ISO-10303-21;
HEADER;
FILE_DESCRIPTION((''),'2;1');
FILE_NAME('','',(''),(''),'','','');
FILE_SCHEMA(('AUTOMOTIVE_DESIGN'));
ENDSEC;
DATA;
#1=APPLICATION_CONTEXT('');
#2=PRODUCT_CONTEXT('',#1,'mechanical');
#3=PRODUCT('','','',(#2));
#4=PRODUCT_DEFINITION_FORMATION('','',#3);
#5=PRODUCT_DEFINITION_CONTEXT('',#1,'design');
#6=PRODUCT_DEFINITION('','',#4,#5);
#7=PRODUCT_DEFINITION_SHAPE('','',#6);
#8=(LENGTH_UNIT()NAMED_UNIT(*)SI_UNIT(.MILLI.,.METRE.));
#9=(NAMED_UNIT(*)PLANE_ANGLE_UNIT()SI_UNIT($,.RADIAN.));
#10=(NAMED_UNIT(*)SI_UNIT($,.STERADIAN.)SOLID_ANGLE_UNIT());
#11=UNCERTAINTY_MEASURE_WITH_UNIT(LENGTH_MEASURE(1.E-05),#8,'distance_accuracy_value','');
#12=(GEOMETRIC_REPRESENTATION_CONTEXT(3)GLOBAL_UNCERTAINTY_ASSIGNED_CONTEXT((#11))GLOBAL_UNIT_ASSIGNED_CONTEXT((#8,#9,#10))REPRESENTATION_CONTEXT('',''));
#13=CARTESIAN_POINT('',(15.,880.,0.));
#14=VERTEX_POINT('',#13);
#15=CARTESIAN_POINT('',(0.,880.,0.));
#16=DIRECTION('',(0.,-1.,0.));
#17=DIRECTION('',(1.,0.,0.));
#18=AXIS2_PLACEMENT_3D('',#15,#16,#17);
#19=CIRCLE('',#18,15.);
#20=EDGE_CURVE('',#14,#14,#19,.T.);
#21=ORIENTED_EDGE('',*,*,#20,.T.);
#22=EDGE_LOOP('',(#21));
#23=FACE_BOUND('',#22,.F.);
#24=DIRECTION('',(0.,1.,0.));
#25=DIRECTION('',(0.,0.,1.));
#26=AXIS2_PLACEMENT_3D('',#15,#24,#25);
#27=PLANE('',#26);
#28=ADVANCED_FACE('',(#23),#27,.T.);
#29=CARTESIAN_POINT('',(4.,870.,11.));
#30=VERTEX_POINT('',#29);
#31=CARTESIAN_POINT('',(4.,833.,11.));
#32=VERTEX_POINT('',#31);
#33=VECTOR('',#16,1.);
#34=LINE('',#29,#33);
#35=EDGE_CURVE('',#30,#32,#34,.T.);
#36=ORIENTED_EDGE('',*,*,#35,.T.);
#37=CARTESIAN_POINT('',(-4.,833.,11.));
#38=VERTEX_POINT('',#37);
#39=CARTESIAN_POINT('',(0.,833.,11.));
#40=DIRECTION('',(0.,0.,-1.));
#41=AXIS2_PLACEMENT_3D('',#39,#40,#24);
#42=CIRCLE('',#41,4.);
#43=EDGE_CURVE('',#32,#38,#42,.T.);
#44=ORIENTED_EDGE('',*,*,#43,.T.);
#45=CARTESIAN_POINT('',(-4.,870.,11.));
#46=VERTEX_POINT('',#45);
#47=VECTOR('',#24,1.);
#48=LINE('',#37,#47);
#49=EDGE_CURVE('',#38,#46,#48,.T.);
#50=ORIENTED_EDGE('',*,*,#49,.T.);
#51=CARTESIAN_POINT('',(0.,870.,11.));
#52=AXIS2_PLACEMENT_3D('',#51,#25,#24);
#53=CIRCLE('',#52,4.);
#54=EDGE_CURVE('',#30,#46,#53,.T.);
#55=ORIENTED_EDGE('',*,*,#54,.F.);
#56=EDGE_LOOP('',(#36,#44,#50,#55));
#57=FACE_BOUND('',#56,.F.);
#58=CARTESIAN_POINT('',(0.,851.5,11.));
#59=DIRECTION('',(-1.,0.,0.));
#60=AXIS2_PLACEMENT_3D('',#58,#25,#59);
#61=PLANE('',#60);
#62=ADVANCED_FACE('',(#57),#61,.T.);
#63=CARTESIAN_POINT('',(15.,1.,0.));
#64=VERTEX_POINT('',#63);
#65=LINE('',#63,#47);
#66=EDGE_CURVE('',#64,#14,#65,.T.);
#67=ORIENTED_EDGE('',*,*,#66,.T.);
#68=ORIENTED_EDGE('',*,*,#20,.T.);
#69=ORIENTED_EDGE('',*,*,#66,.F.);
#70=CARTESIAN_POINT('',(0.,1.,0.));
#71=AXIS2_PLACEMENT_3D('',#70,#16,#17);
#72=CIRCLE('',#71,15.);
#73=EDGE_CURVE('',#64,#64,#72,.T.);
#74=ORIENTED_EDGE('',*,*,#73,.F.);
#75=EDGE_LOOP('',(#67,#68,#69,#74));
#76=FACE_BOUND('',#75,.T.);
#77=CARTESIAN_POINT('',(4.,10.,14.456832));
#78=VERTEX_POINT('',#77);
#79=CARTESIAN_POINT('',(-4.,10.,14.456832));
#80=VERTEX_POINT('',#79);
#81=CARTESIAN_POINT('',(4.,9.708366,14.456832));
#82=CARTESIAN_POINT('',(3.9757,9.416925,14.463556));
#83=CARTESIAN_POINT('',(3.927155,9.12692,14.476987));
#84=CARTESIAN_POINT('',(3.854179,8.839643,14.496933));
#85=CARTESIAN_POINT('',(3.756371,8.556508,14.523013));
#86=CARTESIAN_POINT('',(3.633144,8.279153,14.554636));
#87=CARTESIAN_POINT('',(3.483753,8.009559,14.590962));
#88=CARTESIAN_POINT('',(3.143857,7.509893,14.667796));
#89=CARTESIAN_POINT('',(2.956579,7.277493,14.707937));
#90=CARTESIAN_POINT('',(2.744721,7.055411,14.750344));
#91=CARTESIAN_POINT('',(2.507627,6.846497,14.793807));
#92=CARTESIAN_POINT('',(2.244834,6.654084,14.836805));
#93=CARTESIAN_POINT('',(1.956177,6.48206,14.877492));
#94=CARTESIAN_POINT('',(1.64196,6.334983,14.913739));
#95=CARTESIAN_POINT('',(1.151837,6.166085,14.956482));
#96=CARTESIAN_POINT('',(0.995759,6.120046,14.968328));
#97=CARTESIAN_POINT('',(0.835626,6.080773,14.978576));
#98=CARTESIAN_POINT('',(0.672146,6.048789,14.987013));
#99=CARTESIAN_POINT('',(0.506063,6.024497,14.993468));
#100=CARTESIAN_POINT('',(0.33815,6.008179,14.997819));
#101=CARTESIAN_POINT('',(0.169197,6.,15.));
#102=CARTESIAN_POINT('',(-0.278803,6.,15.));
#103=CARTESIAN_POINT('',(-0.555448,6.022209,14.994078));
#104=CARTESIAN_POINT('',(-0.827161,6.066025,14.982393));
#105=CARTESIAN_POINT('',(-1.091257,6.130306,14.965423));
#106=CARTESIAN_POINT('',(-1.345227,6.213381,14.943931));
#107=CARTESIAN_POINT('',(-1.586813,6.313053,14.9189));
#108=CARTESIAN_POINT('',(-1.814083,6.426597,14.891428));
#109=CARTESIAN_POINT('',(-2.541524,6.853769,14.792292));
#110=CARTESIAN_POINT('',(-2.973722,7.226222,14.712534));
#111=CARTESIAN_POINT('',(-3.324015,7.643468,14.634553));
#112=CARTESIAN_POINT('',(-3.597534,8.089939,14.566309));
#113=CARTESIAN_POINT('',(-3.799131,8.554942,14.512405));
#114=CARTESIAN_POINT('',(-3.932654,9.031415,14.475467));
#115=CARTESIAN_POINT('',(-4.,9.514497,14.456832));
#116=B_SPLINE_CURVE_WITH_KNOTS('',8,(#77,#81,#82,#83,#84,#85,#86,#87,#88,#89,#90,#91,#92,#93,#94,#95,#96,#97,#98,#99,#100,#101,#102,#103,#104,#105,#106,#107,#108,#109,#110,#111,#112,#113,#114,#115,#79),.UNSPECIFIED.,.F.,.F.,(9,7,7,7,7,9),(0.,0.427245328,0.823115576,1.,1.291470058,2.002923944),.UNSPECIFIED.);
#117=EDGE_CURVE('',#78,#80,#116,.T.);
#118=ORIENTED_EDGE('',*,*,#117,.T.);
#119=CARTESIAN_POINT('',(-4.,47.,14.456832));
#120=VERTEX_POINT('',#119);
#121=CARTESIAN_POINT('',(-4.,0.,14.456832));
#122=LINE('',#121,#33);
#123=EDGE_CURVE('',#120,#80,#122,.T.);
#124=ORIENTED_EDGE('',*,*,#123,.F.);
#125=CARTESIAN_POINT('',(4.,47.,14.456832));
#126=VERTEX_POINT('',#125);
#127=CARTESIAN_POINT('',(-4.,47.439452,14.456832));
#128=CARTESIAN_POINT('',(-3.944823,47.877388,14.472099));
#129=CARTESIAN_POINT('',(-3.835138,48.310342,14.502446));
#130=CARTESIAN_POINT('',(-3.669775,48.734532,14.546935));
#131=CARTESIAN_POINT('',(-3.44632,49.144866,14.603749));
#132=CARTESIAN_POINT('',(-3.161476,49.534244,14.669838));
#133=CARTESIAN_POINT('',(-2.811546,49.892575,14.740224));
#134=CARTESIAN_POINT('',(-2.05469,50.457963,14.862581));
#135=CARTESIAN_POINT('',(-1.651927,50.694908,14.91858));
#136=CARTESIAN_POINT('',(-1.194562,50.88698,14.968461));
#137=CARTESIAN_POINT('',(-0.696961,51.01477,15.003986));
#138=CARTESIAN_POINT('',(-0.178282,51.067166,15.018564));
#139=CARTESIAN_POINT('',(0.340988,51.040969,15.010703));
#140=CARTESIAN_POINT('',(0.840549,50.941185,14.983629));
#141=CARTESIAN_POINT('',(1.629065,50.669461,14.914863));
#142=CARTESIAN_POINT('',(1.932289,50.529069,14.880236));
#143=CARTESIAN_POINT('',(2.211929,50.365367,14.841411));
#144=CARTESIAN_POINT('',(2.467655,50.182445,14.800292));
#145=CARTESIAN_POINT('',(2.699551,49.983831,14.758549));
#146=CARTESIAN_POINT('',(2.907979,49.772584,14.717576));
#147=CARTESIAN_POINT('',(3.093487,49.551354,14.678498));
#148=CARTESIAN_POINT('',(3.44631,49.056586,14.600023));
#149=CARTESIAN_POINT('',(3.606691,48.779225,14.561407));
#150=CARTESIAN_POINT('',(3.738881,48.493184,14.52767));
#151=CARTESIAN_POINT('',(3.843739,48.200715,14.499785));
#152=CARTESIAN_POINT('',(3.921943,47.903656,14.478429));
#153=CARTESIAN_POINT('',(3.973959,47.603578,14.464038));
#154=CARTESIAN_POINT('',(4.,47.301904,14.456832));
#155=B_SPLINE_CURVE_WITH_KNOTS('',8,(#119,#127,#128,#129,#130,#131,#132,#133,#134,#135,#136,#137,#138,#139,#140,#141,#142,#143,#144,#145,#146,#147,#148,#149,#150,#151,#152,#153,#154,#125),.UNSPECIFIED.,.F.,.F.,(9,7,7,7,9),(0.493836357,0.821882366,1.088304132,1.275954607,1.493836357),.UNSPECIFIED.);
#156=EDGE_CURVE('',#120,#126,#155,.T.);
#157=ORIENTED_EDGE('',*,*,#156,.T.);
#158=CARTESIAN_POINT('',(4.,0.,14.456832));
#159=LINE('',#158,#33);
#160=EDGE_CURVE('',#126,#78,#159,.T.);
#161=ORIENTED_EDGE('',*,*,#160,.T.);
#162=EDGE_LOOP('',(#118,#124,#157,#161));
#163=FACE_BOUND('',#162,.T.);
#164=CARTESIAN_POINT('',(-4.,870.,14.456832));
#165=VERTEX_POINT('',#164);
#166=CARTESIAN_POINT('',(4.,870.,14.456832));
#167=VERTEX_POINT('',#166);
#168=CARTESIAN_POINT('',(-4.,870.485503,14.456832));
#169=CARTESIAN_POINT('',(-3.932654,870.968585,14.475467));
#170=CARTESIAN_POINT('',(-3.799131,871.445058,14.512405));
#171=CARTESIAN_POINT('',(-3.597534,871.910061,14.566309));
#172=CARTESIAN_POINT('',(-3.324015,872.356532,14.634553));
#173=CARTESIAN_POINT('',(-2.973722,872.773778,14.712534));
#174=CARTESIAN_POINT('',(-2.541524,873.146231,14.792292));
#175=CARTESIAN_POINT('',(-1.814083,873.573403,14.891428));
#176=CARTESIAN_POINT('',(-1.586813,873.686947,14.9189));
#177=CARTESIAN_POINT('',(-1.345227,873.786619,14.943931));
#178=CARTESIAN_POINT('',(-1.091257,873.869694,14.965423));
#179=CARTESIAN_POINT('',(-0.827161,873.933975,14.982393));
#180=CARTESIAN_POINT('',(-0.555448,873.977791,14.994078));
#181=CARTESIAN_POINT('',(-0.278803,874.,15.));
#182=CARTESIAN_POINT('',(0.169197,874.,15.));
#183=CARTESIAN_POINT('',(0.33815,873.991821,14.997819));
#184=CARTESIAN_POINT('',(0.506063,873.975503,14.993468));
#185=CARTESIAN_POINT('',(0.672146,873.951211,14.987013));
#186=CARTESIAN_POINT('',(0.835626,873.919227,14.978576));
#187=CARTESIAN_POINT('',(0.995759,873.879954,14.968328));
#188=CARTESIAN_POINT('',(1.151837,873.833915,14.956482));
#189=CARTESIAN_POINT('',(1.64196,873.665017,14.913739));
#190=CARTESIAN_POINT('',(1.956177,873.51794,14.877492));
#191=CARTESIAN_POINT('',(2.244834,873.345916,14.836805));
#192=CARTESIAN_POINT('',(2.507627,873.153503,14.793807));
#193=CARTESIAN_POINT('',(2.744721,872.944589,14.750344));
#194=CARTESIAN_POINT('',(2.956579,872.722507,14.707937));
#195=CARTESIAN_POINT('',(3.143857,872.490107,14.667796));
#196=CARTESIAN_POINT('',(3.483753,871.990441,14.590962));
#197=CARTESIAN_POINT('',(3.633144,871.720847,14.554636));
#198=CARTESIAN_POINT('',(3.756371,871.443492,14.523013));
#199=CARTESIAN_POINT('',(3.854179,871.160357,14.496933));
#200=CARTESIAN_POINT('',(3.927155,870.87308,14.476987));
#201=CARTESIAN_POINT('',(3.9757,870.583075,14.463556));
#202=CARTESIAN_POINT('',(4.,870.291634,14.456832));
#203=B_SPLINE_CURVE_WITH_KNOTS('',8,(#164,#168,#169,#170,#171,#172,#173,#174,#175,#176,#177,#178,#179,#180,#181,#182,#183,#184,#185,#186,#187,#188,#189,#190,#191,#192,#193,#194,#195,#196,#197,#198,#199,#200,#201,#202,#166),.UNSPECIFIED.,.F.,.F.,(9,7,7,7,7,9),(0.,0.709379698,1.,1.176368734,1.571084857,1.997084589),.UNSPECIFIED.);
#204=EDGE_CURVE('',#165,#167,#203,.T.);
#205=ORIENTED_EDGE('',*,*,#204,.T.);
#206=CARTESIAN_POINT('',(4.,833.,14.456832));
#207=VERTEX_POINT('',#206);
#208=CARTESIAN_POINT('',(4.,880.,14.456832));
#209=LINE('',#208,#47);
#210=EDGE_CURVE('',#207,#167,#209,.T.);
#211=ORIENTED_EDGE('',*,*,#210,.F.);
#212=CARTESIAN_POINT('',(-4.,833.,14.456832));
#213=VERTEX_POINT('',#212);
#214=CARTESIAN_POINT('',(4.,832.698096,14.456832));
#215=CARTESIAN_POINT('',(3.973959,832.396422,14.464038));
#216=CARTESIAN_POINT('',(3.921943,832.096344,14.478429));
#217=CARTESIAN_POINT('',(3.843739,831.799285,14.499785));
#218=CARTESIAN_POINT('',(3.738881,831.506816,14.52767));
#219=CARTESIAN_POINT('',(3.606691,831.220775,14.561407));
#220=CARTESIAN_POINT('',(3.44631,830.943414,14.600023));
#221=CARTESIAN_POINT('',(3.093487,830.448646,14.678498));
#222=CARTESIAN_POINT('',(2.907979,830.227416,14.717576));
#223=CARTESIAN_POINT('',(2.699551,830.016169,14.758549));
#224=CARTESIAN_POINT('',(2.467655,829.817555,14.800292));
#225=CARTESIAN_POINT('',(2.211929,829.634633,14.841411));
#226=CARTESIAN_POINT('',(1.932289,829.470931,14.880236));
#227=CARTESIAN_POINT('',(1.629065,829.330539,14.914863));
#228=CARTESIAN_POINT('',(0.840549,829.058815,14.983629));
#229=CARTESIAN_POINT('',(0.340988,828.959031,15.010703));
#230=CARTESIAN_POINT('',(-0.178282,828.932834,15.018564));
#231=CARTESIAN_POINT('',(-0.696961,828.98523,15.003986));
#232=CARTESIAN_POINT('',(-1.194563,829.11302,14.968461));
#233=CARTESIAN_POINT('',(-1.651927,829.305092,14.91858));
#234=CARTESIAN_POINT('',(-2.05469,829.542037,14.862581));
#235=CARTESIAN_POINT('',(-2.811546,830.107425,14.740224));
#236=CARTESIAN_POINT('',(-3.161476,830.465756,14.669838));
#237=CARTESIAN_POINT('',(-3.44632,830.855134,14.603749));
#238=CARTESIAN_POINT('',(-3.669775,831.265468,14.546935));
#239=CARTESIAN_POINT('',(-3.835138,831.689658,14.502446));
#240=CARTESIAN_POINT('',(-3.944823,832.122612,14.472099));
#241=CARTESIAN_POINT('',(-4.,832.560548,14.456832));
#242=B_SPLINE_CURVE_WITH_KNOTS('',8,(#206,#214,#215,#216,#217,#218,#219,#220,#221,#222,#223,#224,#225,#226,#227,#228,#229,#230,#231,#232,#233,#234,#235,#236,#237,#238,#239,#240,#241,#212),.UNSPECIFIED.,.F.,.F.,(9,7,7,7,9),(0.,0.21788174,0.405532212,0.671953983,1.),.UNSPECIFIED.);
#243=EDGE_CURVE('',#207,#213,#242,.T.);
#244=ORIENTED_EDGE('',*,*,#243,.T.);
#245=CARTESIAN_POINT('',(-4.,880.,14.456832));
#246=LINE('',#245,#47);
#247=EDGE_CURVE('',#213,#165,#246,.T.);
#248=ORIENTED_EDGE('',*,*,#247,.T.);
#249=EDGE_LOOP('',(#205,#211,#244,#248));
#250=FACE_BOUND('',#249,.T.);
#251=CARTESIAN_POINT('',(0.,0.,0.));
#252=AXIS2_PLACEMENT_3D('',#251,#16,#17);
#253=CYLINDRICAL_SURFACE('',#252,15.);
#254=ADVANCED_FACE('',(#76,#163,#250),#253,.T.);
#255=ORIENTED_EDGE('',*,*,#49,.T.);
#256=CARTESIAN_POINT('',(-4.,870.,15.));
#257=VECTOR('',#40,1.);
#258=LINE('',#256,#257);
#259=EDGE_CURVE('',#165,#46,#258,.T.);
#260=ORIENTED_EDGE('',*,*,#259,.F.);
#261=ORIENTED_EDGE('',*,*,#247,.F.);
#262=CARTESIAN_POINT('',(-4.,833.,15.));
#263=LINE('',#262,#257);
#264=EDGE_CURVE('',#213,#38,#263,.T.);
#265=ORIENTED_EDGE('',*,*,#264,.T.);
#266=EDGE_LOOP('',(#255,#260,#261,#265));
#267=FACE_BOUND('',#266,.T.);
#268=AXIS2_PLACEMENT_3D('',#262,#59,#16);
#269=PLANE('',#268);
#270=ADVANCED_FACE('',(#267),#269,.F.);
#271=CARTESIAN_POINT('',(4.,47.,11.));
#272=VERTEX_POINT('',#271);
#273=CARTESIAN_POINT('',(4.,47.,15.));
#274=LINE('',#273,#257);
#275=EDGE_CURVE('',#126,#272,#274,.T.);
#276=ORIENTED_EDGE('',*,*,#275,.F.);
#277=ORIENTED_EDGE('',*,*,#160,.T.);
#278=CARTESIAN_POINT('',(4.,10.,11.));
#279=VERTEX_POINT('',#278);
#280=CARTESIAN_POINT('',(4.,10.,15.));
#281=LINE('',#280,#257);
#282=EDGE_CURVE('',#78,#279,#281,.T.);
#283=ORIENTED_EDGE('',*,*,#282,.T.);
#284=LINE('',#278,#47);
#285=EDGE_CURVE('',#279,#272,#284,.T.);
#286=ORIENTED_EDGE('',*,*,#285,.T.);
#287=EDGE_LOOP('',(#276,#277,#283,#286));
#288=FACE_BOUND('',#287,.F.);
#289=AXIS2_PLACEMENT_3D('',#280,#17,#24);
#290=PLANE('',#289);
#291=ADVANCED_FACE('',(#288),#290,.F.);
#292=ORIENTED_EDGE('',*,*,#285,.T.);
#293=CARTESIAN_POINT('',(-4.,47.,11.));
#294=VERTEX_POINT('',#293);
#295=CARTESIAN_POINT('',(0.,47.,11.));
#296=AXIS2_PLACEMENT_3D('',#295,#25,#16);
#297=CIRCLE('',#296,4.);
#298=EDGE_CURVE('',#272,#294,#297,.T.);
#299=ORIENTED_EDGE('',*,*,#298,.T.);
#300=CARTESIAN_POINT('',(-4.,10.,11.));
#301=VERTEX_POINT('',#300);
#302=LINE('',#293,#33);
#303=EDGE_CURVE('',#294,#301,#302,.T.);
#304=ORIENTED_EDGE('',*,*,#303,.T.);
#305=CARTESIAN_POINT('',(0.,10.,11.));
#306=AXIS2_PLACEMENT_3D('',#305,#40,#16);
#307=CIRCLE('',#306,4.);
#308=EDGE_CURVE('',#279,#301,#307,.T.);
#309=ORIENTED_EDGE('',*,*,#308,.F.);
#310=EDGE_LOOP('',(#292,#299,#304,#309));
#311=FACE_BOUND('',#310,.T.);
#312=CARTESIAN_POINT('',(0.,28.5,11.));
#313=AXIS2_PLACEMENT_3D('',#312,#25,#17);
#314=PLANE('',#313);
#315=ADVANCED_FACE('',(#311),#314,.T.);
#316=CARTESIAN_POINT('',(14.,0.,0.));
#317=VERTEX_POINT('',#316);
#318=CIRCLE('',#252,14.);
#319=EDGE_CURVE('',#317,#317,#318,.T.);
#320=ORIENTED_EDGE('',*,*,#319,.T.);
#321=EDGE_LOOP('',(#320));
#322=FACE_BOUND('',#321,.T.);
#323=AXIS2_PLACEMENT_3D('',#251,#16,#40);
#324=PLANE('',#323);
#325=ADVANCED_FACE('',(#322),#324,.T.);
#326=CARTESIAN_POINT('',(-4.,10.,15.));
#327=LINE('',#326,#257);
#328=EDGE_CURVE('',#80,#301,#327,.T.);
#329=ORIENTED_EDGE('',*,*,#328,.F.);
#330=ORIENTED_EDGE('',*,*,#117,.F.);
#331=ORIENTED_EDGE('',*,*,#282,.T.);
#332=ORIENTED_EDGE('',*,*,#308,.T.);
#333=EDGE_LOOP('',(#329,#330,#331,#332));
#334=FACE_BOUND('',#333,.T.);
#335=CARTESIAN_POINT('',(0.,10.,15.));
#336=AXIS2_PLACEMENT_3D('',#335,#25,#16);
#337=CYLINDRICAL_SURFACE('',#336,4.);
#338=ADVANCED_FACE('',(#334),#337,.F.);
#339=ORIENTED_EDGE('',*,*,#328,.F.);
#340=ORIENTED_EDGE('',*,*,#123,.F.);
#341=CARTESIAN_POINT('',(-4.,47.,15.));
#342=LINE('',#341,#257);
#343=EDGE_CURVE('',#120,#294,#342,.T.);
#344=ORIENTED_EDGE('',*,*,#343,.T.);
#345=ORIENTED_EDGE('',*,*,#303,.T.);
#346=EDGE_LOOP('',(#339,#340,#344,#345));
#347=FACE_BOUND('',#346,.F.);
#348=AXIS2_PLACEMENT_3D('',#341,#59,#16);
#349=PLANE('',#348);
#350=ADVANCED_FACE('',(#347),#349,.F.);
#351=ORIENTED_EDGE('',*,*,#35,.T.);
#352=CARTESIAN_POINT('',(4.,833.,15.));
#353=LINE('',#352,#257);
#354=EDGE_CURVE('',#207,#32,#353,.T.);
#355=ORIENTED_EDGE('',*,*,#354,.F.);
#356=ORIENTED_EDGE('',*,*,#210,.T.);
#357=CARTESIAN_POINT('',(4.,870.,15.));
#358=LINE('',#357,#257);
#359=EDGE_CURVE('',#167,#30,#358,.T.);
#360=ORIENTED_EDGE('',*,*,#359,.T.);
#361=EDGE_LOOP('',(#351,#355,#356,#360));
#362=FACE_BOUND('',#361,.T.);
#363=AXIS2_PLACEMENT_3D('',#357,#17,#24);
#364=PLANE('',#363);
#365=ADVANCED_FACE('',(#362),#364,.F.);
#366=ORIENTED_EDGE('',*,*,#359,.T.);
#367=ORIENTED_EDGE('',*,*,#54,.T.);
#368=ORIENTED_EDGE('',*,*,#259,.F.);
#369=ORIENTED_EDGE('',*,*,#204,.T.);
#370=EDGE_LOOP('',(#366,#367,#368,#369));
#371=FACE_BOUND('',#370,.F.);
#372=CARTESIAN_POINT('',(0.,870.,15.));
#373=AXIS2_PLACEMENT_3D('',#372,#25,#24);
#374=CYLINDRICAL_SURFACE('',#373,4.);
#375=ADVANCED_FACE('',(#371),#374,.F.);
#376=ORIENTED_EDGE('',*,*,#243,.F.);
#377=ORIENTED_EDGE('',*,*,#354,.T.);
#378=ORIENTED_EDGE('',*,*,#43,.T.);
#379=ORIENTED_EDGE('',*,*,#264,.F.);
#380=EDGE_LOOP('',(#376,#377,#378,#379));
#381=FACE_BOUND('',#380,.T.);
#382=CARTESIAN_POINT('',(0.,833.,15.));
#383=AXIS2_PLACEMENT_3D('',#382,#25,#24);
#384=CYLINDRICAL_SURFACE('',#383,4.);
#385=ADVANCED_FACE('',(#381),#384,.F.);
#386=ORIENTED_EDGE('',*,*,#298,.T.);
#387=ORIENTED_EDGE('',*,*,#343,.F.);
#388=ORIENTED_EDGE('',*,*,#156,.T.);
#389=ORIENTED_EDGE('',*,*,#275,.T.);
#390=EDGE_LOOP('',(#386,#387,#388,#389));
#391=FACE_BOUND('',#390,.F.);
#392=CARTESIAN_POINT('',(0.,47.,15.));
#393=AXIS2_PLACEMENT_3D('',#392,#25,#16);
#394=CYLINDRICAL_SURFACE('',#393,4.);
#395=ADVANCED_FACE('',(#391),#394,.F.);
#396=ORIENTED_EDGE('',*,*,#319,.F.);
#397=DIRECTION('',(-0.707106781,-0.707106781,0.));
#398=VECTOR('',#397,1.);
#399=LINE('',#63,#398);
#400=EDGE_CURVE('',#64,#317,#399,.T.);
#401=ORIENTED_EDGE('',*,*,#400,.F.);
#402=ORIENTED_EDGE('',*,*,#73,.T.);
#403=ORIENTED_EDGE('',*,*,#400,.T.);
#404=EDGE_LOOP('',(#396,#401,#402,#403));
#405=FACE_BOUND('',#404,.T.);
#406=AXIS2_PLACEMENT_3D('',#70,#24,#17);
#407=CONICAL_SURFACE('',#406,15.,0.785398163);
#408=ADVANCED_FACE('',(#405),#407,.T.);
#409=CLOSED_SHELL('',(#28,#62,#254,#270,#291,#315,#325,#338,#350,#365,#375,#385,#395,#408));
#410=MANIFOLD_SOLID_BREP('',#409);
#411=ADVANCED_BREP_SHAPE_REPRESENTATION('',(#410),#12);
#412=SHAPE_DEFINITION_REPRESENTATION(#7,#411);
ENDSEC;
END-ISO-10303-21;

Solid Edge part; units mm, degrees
sketch "Sketch1" plane through (10.8674, 0, 10.8674) normal (0, -1, 0) x (1, 0, 0)
  circle A0 centre (-10.8674, -10.8674) radius 15
extrude "Protrusion1" add sketch "Sketch1" against normal blind 440
chamfer "Chamfer" distance 1 angle 45 1 edges at (-15, 0, 0)
sketch "Sketch2" plane through (0, 220.5, 15) normal (0, 0, 1) x (0, -1, 0)
  line L0 (173.5, -4) -> (210.5, -4)
  arc A0 (210.5, 4) -> (210.5, -4) centre (210.5, 0) cw
  line L1 (210.5, 4) -> (173.5, 4)
  arc A1 (173.5, 4) -> (173.5, -4) centre (173.5, 0) ccw
  dimension "D1" = 8
  dimension "D2" = 10
extrude "KeySlot_Wheel_Hub" cut sketch "Sketch2" against normal blind 4
mirror "Mirror1" about plane through (0, 440, 0) normal (0, 1, 0) of "Protrusion1", "KeySlot_Wheel_Hub"
properties material "Steel"
